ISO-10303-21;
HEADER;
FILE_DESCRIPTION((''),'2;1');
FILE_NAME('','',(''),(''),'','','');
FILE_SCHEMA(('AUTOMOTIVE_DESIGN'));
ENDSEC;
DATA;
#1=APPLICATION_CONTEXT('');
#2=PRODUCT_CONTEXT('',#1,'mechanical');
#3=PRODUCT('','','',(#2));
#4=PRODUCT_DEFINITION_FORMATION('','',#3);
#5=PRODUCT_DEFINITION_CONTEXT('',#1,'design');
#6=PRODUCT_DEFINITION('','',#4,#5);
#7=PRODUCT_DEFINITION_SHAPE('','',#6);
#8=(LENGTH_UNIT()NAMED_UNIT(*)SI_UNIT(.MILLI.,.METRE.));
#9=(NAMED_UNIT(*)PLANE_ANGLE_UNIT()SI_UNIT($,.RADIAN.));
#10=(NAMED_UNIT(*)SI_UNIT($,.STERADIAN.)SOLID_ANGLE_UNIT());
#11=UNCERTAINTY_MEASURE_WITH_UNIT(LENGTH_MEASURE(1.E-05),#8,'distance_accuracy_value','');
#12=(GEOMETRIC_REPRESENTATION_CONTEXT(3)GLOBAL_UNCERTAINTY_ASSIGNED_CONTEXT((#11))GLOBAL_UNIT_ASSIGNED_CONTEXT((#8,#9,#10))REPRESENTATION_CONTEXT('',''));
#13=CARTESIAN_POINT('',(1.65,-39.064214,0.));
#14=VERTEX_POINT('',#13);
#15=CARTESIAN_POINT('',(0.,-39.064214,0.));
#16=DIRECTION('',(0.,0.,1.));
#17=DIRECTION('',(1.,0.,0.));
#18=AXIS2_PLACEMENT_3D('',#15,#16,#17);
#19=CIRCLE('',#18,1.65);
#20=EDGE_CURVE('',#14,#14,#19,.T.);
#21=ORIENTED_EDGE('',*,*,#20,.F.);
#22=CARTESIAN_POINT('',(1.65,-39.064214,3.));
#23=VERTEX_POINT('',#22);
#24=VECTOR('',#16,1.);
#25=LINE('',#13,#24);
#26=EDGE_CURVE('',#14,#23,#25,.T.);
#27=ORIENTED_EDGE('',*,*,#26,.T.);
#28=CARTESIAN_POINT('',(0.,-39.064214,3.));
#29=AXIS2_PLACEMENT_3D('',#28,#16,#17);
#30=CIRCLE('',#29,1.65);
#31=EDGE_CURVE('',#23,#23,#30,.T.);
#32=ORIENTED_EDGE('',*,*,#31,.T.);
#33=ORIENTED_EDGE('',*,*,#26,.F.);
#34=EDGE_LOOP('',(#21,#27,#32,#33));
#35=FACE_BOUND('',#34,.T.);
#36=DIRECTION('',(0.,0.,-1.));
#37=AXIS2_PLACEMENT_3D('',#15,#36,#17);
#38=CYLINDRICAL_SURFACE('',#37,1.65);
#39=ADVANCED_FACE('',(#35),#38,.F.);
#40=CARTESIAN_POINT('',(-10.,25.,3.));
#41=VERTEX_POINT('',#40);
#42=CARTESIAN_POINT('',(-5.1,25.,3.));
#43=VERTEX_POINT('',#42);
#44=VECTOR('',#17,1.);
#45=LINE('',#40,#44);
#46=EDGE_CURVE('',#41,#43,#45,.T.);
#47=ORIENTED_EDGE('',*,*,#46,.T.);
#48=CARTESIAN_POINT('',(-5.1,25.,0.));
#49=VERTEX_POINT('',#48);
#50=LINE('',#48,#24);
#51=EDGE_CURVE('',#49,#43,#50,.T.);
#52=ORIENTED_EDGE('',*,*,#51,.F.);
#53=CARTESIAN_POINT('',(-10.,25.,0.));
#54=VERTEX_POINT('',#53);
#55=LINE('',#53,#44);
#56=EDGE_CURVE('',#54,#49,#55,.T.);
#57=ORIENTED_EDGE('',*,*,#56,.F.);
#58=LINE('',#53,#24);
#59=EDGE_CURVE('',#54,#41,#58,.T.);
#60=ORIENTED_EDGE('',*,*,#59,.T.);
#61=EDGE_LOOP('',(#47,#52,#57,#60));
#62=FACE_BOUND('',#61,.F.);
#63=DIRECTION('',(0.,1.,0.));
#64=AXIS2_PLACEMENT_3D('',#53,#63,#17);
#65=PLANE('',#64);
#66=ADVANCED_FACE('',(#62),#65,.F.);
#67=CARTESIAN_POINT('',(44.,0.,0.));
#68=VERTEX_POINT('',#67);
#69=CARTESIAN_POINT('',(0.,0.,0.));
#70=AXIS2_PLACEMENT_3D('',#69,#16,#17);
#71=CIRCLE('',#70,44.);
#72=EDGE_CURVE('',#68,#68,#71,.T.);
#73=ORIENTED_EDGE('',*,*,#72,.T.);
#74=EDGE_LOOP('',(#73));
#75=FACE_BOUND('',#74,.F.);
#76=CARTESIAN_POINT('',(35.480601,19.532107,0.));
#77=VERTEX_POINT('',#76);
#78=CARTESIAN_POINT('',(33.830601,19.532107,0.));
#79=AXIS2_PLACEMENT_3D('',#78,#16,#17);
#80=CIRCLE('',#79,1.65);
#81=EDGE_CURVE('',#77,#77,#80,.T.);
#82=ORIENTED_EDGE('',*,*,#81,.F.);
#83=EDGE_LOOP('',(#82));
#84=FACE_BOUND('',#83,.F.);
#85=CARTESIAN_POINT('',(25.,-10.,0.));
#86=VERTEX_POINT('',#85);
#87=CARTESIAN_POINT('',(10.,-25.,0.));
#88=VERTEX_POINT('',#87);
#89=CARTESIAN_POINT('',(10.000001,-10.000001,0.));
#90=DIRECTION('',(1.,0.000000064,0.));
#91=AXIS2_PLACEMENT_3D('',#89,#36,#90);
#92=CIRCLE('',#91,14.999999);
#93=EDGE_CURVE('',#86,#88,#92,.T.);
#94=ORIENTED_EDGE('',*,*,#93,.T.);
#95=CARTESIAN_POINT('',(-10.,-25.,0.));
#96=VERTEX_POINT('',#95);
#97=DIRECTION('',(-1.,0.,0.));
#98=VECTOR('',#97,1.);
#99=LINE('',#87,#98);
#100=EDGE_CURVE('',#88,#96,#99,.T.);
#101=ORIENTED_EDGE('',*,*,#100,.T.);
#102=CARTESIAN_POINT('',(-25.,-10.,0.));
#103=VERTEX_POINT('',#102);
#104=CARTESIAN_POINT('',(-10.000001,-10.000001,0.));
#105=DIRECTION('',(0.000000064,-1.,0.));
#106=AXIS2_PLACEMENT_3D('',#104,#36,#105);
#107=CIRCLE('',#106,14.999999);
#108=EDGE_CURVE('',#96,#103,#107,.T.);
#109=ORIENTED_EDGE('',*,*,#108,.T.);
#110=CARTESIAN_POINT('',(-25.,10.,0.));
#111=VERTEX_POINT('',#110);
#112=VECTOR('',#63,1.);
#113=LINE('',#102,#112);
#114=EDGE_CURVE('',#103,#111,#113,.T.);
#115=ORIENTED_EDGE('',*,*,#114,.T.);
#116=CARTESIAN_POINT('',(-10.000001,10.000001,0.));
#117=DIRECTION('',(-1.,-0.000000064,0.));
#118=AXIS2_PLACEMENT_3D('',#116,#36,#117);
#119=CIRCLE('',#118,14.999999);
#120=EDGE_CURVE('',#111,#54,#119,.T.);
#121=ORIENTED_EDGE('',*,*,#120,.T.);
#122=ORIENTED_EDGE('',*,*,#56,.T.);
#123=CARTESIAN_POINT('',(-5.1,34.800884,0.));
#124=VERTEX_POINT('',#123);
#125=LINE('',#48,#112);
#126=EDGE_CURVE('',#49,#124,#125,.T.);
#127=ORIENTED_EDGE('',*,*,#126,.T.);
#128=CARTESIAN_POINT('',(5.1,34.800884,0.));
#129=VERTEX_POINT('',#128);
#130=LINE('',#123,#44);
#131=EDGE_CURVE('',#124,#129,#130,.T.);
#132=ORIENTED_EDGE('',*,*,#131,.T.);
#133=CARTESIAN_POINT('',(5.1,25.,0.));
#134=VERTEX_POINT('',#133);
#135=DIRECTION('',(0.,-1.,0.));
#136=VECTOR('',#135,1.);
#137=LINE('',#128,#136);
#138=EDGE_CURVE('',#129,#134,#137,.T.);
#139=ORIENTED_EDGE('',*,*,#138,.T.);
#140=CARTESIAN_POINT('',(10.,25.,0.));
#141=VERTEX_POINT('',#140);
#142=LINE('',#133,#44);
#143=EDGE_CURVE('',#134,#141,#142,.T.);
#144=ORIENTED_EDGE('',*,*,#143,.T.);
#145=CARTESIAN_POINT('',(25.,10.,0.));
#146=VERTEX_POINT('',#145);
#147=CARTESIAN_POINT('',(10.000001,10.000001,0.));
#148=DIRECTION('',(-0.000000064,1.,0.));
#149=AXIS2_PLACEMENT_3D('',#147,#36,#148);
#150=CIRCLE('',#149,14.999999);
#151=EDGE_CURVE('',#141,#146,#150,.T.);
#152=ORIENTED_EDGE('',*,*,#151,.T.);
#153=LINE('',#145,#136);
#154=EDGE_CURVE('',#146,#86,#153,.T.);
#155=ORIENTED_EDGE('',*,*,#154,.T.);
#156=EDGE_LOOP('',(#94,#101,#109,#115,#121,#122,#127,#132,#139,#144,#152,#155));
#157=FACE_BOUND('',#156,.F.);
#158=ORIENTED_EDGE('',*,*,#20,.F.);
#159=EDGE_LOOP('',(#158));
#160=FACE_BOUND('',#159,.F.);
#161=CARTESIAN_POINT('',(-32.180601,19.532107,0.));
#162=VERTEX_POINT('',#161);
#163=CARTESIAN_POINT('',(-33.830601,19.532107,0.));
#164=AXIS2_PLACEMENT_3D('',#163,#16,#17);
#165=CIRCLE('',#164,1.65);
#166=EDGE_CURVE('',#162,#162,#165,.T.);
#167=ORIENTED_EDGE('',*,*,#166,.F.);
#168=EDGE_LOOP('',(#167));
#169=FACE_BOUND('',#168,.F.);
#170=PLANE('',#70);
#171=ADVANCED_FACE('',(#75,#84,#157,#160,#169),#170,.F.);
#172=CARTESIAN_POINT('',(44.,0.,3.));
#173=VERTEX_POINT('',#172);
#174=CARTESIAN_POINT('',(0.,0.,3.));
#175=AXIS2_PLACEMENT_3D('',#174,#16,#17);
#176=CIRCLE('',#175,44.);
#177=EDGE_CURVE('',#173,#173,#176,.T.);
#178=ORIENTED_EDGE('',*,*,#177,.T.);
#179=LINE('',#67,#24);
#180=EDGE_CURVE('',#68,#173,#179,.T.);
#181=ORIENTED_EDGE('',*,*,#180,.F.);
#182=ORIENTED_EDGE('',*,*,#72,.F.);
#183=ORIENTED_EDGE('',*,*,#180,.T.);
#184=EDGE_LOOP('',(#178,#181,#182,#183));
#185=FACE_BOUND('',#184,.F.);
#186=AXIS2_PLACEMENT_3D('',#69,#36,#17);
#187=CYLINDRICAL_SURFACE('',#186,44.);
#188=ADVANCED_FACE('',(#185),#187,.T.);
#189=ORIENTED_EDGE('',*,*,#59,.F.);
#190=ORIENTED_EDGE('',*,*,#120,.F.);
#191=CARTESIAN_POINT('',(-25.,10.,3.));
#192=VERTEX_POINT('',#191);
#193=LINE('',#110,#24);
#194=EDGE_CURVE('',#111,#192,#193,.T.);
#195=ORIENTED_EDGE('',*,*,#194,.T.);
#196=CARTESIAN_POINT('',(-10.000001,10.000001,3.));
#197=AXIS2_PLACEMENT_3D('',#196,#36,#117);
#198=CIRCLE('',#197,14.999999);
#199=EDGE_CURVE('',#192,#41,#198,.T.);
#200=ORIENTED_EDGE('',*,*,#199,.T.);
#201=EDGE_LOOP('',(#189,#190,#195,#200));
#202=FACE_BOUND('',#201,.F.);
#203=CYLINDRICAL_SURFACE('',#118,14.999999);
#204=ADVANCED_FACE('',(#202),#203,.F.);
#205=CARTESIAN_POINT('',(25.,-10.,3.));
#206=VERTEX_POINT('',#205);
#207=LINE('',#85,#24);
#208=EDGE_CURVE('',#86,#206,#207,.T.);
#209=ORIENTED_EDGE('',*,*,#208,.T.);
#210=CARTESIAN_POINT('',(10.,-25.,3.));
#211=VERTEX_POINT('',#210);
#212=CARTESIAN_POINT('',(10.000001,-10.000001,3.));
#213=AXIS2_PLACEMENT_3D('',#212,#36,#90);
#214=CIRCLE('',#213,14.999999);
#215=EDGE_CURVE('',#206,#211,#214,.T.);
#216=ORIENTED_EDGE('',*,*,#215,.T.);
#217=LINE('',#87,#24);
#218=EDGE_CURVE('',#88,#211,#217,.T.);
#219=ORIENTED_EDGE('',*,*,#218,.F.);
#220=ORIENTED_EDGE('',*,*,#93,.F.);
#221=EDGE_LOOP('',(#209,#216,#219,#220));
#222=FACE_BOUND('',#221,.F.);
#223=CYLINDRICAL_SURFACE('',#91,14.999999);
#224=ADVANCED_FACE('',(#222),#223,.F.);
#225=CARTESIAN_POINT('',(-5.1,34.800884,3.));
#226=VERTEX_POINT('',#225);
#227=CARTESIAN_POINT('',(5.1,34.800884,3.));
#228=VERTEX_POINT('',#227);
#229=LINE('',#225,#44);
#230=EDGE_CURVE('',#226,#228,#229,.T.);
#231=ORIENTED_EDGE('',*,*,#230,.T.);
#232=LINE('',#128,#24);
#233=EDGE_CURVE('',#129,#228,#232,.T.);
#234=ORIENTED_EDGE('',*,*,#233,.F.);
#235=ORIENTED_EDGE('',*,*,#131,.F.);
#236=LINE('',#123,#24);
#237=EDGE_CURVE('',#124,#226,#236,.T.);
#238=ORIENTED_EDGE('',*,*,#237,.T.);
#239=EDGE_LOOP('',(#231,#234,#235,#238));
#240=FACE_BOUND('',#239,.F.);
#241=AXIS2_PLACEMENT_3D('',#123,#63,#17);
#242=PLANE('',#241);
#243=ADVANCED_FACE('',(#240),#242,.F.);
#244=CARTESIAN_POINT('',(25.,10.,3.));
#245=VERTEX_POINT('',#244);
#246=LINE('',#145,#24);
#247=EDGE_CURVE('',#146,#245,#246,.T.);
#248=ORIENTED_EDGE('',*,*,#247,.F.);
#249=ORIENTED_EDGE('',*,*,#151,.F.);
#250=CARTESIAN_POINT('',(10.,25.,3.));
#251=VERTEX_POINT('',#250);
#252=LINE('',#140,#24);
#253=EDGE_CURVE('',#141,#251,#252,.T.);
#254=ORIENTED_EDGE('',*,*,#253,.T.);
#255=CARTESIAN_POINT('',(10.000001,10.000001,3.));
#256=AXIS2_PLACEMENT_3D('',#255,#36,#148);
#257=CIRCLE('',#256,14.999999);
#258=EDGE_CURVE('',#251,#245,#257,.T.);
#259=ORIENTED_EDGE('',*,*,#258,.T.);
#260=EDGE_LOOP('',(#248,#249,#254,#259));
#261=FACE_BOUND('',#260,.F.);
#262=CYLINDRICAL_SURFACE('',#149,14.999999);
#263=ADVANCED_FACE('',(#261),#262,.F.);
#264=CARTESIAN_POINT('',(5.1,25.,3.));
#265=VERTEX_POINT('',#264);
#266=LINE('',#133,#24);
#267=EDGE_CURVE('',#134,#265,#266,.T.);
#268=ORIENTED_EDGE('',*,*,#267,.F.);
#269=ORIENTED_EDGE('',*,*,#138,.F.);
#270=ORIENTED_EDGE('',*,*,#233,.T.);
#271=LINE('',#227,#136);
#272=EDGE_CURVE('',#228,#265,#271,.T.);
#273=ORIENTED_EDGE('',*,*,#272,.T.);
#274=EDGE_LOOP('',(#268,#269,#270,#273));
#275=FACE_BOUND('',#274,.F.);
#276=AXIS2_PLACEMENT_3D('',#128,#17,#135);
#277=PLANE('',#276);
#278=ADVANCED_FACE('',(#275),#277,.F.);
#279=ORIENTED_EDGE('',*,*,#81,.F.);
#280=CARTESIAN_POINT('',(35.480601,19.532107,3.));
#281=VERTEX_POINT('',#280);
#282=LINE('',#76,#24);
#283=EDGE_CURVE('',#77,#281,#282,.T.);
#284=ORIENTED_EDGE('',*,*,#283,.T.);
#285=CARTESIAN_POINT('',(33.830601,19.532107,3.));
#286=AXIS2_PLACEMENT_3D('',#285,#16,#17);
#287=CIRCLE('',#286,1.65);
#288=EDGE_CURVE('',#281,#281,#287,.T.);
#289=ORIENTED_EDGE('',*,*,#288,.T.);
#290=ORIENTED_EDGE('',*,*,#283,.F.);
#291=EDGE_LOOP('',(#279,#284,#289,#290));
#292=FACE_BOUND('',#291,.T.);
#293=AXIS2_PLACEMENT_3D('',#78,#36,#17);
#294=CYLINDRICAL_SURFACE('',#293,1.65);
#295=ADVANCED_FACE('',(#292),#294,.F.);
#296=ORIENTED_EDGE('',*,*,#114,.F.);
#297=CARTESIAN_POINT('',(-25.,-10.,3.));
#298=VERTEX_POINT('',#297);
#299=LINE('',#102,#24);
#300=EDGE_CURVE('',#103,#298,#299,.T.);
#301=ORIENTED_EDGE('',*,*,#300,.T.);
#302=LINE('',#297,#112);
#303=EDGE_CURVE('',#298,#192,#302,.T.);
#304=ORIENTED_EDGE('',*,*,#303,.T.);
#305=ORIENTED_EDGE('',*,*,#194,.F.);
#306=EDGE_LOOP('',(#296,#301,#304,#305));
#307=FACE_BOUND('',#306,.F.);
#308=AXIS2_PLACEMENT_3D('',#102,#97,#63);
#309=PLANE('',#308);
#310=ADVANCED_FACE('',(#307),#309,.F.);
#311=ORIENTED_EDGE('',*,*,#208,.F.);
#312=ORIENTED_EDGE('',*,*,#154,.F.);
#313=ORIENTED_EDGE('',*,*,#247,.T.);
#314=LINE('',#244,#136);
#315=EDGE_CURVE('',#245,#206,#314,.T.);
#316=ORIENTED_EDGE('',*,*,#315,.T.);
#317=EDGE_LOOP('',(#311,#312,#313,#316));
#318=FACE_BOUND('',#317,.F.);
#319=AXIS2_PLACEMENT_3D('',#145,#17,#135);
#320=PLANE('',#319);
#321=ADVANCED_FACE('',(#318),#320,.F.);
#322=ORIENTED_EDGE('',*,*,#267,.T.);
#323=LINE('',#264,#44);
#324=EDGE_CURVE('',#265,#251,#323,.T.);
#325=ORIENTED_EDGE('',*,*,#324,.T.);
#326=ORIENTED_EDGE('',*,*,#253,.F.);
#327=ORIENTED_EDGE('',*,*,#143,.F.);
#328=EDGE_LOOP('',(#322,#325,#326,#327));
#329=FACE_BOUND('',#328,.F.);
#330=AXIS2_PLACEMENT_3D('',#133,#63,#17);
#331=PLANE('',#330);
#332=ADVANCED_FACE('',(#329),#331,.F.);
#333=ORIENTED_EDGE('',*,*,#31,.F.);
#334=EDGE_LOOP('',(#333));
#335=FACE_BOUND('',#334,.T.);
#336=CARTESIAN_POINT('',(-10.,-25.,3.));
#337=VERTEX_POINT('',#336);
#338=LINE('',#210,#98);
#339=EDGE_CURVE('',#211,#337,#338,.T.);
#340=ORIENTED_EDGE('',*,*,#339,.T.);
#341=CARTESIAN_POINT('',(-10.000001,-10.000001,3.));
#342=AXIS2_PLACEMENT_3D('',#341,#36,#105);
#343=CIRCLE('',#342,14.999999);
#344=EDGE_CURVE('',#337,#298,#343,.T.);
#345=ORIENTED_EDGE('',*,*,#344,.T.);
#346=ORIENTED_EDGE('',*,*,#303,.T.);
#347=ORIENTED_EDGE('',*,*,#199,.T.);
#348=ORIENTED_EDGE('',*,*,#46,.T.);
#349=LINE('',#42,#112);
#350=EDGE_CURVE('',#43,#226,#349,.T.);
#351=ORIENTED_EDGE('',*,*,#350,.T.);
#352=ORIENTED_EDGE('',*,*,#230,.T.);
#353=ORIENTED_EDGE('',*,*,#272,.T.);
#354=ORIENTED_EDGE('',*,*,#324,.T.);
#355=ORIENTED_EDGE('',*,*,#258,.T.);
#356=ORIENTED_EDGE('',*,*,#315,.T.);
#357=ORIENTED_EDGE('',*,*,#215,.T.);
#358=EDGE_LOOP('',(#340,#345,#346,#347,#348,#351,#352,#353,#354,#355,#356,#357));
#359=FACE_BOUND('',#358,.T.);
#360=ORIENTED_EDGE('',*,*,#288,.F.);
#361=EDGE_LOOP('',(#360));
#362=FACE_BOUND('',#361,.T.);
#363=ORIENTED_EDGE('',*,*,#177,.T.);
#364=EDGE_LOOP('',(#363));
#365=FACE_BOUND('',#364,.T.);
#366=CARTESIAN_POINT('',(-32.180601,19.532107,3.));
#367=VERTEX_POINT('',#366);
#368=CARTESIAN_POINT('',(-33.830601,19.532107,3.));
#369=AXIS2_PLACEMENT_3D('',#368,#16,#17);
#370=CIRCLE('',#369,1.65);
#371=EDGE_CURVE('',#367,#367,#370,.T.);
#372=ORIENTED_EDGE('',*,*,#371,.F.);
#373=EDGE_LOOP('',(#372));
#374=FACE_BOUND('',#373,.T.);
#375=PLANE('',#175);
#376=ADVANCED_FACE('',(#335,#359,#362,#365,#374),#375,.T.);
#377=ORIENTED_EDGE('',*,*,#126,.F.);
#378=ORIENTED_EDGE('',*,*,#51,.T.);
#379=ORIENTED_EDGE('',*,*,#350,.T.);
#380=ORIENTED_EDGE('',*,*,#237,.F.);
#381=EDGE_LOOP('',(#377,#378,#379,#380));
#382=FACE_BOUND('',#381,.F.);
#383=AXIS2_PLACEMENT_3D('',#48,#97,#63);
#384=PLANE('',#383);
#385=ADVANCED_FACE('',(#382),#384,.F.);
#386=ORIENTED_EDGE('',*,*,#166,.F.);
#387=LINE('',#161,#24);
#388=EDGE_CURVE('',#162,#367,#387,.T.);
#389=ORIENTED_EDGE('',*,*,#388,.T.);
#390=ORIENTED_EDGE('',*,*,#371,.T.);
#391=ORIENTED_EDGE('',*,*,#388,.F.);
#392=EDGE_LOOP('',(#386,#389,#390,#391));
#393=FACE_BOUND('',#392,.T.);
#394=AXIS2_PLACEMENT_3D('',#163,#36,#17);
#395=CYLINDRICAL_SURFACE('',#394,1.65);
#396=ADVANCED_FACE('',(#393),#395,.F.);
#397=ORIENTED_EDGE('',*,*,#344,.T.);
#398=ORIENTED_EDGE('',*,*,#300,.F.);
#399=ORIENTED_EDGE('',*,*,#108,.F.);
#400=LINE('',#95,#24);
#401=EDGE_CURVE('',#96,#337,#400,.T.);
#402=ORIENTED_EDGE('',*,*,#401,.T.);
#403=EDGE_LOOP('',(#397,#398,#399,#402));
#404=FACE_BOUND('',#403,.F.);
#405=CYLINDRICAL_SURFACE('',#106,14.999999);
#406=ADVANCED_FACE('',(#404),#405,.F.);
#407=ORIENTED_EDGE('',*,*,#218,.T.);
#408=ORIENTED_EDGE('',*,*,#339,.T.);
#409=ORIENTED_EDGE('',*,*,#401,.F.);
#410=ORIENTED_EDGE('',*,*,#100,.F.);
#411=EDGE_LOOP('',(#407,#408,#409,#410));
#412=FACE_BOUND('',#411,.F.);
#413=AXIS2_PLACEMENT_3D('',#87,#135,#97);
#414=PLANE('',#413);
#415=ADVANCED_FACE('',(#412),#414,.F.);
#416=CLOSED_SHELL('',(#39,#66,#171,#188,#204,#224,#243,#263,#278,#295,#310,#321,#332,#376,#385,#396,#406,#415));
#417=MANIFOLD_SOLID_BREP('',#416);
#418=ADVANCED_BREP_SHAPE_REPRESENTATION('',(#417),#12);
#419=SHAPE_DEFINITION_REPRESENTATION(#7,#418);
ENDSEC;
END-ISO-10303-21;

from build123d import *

# Parameters (mm, degrees)
F0_R     = 44
F0_R_2   = 1.65
F1_DEPTH = 3


with BuildPart() as f1:
    # F0 (on Top) → F1 (new body)
    with BuildSketch(Plane.XY):
        Circle(F0_R)
        with Locations((0, -39.064214)):
            Circle(F0_R_2, mode=Mode.SUBTRACT)
        with Locations((-33.830601, 19.532107)):
            Circle(F0_R_2, mode=Mode.SUBTRACT)
        with BuildLine():
            Line((5.1, 34.800884), (5.1, 25))
            Line((5.1, 25), (10, 25))
            ThreePointArc((10, 25), (20.606602, 20.606602), (25, 10))
            Line((25, 10), (25, -10))
            ThreePointArc((25, -10), (20.606602, -20.606602), (10, -25))
            Line((10, -25), (-10, -25))
            ThreePointArc((-10, -25), (-20.606602, -20.606602), (-25, -10))
            Line((-25, -10), (-25, 10))
            ThreePointArc((-25, 10), (-20.606602, 20.606602), (-10, 25))
            Line((-10, 25), (-5.1, 25))
            Line((-5.1, 25), (-5.1, 34.800884))
            Line((-5.1, 34.800884), (5.1, 34.800884))
        make_face(mode=Mode.SUBTRACT)
        with Locations((33.830601, 19.532107)):
            Circle(F0_R_2, mode=Mode.SUBTRACT)
    extrude(amount=F1_DEPTH)


solid = f1.part
